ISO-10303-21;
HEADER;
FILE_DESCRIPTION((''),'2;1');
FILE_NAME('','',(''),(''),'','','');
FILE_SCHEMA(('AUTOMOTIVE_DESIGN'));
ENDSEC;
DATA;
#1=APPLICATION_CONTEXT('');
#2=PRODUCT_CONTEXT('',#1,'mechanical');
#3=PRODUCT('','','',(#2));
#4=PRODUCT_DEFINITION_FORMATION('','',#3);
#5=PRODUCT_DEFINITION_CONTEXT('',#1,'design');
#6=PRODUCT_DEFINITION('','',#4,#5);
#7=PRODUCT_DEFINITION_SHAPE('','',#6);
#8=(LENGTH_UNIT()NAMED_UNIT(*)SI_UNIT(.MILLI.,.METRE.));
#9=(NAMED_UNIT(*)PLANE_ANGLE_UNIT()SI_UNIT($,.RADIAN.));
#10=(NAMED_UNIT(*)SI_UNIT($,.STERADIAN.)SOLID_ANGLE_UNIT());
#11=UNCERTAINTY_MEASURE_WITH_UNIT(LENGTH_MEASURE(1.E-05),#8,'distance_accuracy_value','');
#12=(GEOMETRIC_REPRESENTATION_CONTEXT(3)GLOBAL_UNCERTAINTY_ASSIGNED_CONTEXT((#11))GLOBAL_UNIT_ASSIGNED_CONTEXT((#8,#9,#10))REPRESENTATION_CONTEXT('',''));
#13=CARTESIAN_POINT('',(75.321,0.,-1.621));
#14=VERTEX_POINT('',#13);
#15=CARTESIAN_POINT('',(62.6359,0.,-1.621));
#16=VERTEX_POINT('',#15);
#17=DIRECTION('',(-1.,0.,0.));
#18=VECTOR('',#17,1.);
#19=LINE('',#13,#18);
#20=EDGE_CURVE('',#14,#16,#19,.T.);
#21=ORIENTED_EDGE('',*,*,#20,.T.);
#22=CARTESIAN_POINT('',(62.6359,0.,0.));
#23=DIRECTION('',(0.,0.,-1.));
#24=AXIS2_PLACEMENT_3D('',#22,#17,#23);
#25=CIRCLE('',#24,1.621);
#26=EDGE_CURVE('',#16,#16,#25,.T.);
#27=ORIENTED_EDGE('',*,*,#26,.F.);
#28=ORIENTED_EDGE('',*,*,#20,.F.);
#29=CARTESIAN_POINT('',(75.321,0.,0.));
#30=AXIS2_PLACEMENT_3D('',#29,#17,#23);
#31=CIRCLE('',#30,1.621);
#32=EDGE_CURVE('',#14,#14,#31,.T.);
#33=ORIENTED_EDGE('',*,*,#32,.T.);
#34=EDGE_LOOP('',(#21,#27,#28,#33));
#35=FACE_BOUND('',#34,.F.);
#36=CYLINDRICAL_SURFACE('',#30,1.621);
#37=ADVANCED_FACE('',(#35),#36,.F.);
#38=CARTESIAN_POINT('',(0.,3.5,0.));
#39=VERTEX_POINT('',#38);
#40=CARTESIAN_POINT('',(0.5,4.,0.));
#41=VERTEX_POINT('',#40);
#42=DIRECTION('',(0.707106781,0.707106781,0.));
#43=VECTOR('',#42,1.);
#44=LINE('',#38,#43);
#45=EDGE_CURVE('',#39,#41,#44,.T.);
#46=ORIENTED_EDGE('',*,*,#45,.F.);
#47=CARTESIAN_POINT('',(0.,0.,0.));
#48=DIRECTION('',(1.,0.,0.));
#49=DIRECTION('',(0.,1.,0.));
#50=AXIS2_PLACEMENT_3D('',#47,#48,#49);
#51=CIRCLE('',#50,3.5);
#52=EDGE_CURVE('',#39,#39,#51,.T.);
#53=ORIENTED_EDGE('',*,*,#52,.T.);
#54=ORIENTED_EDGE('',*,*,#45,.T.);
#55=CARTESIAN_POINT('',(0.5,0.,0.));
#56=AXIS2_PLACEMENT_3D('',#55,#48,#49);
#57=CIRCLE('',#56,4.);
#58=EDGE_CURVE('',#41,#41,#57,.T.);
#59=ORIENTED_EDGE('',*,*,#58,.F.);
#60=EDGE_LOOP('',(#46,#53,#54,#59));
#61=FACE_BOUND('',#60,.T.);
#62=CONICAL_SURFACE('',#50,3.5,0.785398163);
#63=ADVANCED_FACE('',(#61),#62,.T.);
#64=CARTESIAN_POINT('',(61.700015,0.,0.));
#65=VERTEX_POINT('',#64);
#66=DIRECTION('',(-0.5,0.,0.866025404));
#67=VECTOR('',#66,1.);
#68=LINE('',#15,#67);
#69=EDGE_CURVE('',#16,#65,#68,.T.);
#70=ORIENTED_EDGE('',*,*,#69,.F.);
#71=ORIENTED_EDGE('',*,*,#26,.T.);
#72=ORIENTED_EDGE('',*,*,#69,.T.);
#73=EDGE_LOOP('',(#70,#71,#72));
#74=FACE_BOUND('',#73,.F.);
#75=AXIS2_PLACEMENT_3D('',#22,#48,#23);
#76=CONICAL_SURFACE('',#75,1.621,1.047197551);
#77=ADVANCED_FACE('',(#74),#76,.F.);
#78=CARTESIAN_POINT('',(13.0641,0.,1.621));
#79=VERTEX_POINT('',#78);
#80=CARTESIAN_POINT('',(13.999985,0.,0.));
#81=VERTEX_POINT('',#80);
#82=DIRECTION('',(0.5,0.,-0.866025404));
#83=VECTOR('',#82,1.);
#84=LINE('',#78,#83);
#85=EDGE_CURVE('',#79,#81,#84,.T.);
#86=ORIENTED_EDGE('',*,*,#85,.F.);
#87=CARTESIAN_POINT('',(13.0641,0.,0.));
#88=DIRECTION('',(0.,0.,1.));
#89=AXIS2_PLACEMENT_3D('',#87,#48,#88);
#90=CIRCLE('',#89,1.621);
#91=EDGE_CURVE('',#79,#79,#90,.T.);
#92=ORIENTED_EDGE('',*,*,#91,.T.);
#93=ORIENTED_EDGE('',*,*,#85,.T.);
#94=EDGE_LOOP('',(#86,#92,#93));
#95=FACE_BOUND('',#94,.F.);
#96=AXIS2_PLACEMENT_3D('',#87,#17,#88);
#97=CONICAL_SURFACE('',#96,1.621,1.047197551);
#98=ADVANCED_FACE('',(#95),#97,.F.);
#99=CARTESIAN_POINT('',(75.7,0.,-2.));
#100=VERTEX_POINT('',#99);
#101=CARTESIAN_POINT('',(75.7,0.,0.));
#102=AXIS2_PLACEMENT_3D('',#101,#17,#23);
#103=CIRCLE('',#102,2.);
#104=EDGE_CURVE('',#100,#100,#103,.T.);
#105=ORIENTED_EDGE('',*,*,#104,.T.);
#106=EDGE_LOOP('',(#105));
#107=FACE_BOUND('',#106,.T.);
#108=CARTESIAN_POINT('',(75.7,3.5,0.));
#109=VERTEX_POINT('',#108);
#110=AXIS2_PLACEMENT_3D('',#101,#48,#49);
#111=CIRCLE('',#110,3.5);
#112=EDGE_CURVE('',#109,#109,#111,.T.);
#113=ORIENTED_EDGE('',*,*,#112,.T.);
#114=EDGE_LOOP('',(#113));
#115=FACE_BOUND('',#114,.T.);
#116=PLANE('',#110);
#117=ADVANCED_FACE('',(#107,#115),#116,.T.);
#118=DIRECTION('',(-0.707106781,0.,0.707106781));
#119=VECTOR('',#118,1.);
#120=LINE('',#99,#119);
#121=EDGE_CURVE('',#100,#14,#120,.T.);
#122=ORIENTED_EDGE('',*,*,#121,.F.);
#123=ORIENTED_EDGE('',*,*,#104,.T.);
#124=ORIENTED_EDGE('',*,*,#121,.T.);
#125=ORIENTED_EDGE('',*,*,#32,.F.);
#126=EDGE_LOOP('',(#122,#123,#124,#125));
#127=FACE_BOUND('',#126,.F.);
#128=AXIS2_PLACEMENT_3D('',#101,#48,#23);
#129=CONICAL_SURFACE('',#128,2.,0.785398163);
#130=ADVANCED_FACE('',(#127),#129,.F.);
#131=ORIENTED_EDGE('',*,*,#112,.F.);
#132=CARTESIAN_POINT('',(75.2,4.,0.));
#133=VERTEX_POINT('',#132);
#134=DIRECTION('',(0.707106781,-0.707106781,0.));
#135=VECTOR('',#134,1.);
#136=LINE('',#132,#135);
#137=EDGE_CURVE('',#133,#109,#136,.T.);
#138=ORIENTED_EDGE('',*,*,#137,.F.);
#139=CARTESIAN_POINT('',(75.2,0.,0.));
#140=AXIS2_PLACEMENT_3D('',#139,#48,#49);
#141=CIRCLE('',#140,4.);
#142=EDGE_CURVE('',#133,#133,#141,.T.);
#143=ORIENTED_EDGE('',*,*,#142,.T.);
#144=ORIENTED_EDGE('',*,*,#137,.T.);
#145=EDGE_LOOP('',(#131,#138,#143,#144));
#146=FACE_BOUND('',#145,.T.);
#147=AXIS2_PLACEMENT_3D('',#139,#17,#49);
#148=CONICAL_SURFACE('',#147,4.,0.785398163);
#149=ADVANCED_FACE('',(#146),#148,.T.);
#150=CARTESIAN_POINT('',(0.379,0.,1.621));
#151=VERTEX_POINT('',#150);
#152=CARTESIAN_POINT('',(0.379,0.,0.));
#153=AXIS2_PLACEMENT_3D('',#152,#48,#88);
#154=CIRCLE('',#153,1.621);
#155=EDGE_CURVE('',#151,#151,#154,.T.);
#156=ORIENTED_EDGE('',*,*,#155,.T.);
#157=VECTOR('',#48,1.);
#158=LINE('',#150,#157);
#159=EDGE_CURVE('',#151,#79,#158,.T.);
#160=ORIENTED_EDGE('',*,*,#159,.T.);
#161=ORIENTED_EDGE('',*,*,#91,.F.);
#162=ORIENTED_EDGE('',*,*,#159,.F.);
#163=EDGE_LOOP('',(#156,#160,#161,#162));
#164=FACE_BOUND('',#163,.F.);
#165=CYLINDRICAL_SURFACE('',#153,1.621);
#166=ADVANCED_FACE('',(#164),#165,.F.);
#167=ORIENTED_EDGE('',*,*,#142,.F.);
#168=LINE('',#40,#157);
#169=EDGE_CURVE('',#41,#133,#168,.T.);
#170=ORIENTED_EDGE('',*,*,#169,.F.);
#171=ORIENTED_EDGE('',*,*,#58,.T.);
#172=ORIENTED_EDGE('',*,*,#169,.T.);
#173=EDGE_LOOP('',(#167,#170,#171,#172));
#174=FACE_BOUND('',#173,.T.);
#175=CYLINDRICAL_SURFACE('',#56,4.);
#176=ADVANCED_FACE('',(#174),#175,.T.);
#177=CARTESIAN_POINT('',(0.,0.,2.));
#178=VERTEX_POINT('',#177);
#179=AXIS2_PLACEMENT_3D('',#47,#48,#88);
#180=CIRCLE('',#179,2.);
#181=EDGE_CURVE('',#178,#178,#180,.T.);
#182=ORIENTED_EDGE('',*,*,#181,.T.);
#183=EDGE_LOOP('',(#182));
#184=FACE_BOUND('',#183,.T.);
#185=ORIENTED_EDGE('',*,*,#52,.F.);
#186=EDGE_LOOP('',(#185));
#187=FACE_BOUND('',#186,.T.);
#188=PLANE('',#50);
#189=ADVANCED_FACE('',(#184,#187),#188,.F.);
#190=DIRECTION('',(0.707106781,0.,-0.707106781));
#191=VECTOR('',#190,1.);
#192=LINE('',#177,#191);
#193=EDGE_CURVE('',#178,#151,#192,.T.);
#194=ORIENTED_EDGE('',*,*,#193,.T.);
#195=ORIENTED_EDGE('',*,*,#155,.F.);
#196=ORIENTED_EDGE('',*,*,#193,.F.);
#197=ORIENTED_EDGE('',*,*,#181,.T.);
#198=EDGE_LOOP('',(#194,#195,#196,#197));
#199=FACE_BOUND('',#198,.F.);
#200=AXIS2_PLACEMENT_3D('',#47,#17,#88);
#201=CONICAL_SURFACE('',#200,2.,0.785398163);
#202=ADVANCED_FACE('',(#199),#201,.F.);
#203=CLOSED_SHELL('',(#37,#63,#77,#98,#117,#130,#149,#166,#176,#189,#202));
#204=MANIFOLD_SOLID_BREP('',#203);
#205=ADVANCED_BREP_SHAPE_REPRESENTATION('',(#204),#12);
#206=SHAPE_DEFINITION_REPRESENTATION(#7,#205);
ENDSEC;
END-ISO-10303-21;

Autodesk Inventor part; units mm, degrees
ref_plane "YZ Plane" through (0, 0, 0) normal (1, 0, 0) x (0, 1, 0)
ref_plane "XZ Plane" through (0, 0, 0) normal (0, 1, 0) x (-1, 0, 0)
ref_plane "XY Plane" through (0, 0, 0) normal (0, 0, 1) x (1, 0, 0)
sketch "Sketch_1" plane through (0, 0, 0) normal (0, 0, 1) x (1, 0, 0)
  line L0 (75.7, 0) -> (0, 0)
  line L1 (0, 0) -> (0, 3.5)
  line L2 (0, 3.5) -> (0.5, 4)
  line L3 (0.5, 4) -> (75.2, 4)
  line L4 (75.2, 4) -> (75.7, 3.5)
  line L5 (75.7, 3.5) -> (75.7, 0)
  line L6 (75.7, 0) -> (0, 0)
revolve "Revolution1" add sketch "Sketch_1" angle 360 about axis through (75.7, 0, 0) along (1, 0, 0)
sketch "Sketch2" plane through (0, 0, 0) normal (-1, 0, 0) x (0, 0, 1)
  point P0 (0, 0)
hole "Hole1" at (0, 0, 0) direction (1, 0, 0) diameter 3.242 depth 13.0641 tip angle 120 countersink diameter 4 countersink angle 90 thread size "M4x0.7" class "6H" standard "ISO Metric profile"
sketch "Sketch3" plane through (75.7, 0, 0) normal (1, 0, 0) x (0, 0, -1)
  point P0 (0, 0)
hole "Hole2" at (75.7, 0, 0) direction (-1, 0, 0) diameter 3.242 depth 13.0641 tip angle 120 countersink diameter 4 countersink angle 90 thread size "M4x0.7" class "6H" standard "ISO Metric profile"
properties part number "SFHRW8-75_7-M4-N4_s" material "鋼、炭素鋼"
